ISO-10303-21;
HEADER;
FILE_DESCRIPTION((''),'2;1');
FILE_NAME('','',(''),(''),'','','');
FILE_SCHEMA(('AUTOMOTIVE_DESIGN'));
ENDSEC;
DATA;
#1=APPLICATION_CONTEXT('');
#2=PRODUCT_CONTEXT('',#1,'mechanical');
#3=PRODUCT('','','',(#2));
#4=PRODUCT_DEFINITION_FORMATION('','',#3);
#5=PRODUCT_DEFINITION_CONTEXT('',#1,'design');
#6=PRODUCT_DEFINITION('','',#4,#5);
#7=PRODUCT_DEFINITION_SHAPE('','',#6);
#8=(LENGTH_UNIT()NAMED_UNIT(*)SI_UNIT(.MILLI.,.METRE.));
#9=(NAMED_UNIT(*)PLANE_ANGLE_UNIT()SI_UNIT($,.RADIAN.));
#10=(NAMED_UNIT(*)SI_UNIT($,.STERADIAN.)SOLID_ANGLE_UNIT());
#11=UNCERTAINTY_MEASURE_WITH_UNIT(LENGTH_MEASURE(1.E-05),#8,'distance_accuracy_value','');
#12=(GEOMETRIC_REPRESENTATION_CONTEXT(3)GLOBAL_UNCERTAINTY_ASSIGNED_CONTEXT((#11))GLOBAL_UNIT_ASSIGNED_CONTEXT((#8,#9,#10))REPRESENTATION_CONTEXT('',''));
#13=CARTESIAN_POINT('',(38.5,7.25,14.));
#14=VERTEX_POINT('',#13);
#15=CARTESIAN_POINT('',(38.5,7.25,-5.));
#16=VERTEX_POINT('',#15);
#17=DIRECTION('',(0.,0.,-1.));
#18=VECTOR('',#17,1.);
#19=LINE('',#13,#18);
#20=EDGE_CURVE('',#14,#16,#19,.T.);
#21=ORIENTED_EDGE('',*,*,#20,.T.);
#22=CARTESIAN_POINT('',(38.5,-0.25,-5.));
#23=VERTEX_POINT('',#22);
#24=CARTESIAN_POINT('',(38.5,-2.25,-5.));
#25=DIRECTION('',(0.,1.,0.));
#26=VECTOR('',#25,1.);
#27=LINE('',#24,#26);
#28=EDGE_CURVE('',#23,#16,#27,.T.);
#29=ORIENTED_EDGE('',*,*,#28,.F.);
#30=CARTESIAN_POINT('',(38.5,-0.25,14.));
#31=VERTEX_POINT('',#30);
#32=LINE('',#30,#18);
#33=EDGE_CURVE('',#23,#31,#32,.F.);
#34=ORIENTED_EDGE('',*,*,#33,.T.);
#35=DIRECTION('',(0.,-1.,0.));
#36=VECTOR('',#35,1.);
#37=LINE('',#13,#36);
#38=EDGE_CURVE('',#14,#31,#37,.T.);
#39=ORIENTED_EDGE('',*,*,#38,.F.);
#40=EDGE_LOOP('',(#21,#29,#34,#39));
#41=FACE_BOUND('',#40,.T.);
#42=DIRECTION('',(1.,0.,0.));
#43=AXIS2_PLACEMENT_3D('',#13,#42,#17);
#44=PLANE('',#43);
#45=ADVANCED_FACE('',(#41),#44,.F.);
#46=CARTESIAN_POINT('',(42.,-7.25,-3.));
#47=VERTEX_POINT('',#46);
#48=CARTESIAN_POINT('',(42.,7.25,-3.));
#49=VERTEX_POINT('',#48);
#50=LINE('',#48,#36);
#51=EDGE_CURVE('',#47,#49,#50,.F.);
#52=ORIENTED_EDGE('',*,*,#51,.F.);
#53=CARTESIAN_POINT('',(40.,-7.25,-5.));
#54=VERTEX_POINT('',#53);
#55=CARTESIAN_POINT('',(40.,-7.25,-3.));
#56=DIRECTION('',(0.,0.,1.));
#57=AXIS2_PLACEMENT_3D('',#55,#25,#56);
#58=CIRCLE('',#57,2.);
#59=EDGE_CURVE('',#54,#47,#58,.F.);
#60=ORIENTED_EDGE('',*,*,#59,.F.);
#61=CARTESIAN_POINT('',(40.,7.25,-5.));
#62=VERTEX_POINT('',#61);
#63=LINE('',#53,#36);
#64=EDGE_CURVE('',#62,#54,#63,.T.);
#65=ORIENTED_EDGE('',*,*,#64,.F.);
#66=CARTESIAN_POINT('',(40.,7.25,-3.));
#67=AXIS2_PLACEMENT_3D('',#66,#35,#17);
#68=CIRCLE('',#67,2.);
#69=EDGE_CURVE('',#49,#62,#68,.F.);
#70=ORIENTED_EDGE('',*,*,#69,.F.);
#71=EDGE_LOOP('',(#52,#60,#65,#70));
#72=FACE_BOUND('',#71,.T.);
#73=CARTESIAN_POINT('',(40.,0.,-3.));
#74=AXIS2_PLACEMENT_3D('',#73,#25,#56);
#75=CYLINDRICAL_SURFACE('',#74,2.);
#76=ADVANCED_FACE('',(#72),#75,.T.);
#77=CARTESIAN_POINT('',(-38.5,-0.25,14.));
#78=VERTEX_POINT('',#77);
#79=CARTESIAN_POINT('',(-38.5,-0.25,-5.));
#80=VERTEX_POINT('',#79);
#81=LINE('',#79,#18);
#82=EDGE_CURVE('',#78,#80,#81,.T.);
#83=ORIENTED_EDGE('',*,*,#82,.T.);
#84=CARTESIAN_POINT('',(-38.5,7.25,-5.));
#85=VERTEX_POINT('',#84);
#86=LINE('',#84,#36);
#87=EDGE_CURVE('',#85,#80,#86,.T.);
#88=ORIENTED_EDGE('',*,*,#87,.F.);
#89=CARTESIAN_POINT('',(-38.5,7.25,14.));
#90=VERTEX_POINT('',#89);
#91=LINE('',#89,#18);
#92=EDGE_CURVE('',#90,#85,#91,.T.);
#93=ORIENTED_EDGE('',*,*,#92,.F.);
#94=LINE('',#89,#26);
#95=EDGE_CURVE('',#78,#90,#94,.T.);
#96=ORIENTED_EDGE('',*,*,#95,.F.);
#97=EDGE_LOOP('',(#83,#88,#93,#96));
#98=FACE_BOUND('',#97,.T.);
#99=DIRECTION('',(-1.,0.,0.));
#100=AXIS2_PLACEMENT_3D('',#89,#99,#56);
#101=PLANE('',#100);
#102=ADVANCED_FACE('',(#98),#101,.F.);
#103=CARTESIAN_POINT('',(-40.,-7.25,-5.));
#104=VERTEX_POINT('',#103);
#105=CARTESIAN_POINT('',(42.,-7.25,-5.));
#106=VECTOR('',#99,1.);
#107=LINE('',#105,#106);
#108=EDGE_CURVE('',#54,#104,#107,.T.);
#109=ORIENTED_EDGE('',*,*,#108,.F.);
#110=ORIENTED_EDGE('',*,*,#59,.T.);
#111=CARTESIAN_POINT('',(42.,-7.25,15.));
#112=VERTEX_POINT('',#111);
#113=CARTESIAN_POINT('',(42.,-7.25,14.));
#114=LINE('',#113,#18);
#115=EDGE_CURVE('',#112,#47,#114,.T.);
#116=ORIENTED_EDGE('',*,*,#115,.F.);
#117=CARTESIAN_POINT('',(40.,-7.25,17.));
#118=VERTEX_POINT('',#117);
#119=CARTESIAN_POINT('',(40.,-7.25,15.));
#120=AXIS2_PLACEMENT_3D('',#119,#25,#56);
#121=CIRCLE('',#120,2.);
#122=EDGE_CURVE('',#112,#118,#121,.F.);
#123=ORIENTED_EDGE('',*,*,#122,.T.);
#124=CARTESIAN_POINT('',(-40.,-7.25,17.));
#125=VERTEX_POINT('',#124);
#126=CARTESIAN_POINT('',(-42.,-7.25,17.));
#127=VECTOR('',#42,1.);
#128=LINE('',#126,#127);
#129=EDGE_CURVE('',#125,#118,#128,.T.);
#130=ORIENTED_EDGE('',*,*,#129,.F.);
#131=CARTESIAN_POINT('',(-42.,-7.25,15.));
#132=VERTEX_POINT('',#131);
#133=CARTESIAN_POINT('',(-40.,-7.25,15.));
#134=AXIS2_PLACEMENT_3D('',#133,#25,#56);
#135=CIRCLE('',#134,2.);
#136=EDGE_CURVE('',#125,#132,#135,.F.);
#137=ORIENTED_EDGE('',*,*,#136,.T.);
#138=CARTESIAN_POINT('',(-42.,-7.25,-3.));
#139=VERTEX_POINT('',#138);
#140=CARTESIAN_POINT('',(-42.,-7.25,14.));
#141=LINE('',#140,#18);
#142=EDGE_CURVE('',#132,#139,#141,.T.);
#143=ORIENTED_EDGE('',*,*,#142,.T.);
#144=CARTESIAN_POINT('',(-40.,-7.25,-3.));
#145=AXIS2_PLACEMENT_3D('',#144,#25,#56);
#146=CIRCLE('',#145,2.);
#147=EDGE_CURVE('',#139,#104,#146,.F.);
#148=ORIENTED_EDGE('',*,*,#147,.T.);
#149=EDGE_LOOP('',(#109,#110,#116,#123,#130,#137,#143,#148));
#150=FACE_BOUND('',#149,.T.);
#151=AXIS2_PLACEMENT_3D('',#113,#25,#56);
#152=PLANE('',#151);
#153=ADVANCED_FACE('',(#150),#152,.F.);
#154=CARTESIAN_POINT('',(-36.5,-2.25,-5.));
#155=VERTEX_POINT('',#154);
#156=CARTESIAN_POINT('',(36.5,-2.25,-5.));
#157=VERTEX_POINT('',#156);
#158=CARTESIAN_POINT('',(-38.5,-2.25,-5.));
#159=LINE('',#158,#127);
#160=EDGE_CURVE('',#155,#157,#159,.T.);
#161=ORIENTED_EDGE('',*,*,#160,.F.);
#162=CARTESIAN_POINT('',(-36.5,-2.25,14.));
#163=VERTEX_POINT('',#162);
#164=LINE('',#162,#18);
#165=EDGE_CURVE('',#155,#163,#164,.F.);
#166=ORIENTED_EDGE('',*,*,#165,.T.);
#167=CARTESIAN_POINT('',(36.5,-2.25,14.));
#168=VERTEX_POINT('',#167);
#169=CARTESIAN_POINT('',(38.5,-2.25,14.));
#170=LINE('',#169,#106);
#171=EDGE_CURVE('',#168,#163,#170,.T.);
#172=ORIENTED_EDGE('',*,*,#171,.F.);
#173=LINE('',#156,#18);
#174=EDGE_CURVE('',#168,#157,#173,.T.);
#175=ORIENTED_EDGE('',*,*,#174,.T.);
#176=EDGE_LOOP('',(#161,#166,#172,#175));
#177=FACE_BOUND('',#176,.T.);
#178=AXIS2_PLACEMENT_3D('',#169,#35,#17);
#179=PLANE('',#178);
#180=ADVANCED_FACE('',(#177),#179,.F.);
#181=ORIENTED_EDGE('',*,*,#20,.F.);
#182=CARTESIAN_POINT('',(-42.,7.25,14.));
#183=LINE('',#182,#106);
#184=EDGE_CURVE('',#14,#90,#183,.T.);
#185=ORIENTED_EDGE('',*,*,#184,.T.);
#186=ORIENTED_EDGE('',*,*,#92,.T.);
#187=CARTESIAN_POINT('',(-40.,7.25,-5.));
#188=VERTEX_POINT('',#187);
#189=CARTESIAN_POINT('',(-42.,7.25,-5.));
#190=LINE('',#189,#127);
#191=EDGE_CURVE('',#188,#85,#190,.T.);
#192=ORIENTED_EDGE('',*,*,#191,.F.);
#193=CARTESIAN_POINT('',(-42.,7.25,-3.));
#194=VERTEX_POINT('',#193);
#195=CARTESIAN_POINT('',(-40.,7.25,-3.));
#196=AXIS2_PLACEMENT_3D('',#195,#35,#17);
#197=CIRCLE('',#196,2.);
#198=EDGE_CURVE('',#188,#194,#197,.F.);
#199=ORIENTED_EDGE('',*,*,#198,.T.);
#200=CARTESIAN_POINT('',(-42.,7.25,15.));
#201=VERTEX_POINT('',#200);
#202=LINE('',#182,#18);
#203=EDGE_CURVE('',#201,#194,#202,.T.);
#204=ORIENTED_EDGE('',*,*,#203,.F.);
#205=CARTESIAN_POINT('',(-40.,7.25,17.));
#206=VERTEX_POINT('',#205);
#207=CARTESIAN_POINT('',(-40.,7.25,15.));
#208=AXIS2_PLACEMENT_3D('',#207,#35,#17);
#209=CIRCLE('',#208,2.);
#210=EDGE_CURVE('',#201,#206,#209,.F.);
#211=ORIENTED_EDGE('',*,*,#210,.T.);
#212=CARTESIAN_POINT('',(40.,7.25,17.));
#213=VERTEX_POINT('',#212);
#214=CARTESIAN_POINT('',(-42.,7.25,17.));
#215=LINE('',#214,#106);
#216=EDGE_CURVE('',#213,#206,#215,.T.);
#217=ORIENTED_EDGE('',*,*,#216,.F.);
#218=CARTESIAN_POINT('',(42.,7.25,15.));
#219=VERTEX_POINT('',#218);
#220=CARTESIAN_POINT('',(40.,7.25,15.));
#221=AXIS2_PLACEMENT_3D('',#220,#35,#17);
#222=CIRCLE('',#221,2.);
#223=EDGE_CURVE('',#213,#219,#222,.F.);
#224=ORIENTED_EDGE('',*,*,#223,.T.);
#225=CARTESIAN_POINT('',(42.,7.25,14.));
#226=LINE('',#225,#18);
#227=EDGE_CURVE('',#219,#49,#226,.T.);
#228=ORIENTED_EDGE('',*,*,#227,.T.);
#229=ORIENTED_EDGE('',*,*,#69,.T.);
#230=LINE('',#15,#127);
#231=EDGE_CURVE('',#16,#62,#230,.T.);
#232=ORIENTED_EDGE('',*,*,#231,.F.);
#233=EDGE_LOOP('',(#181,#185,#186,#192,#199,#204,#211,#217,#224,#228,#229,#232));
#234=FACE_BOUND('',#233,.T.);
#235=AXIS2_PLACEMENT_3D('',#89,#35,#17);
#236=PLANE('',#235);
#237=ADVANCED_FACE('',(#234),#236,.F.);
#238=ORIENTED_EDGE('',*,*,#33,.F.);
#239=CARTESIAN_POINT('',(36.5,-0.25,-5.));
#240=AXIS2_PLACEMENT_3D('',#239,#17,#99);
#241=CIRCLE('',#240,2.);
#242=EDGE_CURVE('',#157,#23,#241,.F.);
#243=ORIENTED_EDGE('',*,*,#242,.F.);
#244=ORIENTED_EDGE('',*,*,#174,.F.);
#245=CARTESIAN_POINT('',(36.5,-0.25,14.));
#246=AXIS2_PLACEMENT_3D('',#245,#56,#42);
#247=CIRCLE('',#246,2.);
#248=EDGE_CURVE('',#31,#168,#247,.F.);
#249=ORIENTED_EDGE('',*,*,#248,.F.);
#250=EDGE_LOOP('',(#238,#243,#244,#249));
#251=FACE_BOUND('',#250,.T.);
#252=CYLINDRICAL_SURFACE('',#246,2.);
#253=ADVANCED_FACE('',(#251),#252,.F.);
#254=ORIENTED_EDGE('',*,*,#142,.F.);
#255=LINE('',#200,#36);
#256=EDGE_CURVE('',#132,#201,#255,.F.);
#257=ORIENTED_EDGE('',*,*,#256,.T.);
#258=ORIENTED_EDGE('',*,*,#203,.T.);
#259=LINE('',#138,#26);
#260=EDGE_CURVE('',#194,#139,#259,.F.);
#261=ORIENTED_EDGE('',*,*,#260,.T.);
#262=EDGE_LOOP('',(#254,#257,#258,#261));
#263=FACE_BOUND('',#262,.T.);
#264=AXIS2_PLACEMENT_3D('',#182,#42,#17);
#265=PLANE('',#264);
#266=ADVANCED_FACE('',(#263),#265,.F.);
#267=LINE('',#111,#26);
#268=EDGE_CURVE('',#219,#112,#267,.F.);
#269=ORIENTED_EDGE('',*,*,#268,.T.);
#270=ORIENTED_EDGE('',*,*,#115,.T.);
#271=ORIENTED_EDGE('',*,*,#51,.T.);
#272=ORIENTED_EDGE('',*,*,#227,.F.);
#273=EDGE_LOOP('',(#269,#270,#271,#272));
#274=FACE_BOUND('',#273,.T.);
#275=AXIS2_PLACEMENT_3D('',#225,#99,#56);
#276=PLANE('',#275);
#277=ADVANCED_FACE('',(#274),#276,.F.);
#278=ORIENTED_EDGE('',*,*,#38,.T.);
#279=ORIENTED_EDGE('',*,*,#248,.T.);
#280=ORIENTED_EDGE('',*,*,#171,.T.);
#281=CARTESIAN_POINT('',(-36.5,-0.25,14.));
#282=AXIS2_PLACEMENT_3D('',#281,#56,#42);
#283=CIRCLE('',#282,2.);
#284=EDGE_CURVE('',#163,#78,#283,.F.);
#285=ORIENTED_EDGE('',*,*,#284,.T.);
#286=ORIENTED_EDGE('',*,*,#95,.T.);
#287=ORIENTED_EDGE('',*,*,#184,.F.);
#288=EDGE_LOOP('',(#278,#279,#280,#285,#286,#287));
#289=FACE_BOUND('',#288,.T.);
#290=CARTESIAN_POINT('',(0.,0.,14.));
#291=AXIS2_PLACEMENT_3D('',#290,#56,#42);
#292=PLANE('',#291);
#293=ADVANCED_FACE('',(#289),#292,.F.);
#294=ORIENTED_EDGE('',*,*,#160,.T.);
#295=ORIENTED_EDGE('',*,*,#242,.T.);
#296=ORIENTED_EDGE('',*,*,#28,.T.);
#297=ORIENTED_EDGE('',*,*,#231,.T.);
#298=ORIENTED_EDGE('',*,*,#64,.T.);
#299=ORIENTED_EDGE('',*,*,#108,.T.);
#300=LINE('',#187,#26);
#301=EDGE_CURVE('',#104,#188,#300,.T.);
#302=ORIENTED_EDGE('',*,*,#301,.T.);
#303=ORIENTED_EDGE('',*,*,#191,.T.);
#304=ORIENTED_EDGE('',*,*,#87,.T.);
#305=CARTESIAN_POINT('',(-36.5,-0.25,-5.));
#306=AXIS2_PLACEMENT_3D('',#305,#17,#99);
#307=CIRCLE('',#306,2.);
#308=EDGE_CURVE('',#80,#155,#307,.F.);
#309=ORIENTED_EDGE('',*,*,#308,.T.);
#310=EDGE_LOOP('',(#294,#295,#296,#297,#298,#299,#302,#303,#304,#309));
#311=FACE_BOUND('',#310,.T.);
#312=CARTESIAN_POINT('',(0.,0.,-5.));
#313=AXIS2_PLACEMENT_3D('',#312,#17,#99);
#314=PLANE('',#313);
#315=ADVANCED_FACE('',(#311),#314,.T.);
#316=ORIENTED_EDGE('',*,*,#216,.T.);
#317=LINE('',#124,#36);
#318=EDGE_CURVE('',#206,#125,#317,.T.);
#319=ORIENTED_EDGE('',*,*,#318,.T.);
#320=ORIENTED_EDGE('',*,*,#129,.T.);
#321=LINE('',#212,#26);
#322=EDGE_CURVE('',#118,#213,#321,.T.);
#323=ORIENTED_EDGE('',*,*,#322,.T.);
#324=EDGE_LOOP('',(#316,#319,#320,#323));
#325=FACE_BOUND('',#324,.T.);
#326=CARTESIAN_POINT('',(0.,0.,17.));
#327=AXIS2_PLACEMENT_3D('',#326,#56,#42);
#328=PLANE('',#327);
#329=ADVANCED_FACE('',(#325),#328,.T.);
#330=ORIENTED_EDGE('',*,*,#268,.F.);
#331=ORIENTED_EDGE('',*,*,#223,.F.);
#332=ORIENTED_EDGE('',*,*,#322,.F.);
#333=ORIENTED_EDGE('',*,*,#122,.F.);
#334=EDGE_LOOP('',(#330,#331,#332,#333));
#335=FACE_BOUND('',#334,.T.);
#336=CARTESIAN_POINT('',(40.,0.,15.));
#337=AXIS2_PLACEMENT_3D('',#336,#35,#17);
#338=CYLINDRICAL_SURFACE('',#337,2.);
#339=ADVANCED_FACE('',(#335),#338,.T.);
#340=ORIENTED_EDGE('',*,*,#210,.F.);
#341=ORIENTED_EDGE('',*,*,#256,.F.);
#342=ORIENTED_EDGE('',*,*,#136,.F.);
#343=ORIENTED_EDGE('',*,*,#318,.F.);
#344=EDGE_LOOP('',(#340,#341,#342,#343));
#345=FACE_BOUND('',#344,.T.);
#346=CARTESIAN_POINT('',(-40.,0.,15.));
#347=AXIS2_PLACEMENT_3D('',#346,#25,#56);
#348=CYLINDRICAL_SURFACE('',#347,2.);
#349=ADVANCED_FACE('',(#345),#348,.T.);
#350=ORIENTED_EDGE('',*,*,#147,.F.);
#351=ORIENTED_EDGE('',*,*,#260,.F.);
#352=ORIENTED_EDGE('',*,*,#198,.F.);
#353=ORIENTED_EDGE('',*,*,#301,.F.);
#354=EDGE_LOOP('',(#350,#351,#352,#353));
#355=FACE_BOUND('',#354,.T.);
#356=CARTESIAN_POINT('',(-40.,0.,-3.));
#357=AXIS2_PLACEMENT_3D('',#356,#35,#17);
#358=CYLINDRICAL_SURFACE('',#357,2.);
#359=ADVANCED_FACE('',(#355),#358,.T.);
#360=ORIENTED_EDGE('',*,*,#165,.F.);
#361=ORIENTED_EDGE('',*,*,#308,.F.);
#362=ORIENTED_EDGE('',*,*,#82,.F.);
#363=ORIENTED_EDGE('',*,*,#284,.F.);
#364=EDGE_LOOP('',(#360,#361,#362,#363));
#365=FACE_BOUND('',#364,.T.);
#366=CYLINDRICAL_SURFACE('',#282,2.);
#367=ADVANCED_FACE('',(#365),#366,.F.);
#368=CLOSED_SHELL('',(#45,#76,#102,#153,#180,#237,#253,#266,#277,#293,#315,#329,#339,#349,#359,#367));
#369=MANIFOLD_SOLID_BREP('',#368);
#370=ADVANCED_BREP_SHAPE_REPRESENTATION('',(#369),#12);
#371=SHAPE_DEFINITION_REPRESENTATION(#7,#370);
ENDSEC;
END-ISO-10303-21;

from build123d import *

# Parameters (mm, degrees)
SALIENTE_EXTRUIR1_DEPTH = 14
CROQUIS7_W              = 84
CROQUIS7_H              = 14.5
SALIENTE_EXTRUIR6_DEPTH = 3
SALIENTE_EXTRUIR7_DEPTH = 5
REDONDEO1_R             = 2


with BuildPart() as part:
    # Croquis1 → Saliente-Extruir1 (new body)
    with BuildSketch(Plane.XY):
        Polygon((-38.5, 7.25), (-42, 7.25), (-42, -7.25), (42, -7.25), (42, 7.25), (38.5, 7.25), (38.5, -2.25), (-38.5, -2.25), align=None)
    extrude(amount=SALIENTE_EXTRUIR1_DEPTH)

    # Croquis7 → Saliente-Extruir6 (add)
    with BuildSketch(Plane.XY.offset(14)):
        Rectangle(CROQUIS7_W, CROQUIS7_H)
    extrude(amount=SALIENTE_EXTRUIR6_DEPTH)

    # Croquis8 → Saliente-Extruir7 (add)
    with BuildSketch(Plane(origin=(0, 0, 0), x_dir=(-1, 0, 0), z_dir=(0, 0, -1))):
        Polygon((-42, 7.25), (-42, -7.25), (42, -7.25), (42, 7.25), (38.5, 7.25), (38.5, -2.25), (-38.5, -2.25), (-38.5, 7.25), align=None)
    extrude(amount=SALIENTE_EXTRUIR7_DEPTH)

    # Redondeo1
    redondeo1_edges = [part.edges().sort_by_distance(p)[0] for p in [
        (-38.5, -2.25, 4.5),
        (38.5, -2.25, 4.5),
        (-42, 0, 17),
        (42, 0, 17),
        (42, 0, -5),
        (-42, 0, -5),
    ]]
    fillet(redondeo1_edges, radius=REDONDEO1_R)


solid = part.part
